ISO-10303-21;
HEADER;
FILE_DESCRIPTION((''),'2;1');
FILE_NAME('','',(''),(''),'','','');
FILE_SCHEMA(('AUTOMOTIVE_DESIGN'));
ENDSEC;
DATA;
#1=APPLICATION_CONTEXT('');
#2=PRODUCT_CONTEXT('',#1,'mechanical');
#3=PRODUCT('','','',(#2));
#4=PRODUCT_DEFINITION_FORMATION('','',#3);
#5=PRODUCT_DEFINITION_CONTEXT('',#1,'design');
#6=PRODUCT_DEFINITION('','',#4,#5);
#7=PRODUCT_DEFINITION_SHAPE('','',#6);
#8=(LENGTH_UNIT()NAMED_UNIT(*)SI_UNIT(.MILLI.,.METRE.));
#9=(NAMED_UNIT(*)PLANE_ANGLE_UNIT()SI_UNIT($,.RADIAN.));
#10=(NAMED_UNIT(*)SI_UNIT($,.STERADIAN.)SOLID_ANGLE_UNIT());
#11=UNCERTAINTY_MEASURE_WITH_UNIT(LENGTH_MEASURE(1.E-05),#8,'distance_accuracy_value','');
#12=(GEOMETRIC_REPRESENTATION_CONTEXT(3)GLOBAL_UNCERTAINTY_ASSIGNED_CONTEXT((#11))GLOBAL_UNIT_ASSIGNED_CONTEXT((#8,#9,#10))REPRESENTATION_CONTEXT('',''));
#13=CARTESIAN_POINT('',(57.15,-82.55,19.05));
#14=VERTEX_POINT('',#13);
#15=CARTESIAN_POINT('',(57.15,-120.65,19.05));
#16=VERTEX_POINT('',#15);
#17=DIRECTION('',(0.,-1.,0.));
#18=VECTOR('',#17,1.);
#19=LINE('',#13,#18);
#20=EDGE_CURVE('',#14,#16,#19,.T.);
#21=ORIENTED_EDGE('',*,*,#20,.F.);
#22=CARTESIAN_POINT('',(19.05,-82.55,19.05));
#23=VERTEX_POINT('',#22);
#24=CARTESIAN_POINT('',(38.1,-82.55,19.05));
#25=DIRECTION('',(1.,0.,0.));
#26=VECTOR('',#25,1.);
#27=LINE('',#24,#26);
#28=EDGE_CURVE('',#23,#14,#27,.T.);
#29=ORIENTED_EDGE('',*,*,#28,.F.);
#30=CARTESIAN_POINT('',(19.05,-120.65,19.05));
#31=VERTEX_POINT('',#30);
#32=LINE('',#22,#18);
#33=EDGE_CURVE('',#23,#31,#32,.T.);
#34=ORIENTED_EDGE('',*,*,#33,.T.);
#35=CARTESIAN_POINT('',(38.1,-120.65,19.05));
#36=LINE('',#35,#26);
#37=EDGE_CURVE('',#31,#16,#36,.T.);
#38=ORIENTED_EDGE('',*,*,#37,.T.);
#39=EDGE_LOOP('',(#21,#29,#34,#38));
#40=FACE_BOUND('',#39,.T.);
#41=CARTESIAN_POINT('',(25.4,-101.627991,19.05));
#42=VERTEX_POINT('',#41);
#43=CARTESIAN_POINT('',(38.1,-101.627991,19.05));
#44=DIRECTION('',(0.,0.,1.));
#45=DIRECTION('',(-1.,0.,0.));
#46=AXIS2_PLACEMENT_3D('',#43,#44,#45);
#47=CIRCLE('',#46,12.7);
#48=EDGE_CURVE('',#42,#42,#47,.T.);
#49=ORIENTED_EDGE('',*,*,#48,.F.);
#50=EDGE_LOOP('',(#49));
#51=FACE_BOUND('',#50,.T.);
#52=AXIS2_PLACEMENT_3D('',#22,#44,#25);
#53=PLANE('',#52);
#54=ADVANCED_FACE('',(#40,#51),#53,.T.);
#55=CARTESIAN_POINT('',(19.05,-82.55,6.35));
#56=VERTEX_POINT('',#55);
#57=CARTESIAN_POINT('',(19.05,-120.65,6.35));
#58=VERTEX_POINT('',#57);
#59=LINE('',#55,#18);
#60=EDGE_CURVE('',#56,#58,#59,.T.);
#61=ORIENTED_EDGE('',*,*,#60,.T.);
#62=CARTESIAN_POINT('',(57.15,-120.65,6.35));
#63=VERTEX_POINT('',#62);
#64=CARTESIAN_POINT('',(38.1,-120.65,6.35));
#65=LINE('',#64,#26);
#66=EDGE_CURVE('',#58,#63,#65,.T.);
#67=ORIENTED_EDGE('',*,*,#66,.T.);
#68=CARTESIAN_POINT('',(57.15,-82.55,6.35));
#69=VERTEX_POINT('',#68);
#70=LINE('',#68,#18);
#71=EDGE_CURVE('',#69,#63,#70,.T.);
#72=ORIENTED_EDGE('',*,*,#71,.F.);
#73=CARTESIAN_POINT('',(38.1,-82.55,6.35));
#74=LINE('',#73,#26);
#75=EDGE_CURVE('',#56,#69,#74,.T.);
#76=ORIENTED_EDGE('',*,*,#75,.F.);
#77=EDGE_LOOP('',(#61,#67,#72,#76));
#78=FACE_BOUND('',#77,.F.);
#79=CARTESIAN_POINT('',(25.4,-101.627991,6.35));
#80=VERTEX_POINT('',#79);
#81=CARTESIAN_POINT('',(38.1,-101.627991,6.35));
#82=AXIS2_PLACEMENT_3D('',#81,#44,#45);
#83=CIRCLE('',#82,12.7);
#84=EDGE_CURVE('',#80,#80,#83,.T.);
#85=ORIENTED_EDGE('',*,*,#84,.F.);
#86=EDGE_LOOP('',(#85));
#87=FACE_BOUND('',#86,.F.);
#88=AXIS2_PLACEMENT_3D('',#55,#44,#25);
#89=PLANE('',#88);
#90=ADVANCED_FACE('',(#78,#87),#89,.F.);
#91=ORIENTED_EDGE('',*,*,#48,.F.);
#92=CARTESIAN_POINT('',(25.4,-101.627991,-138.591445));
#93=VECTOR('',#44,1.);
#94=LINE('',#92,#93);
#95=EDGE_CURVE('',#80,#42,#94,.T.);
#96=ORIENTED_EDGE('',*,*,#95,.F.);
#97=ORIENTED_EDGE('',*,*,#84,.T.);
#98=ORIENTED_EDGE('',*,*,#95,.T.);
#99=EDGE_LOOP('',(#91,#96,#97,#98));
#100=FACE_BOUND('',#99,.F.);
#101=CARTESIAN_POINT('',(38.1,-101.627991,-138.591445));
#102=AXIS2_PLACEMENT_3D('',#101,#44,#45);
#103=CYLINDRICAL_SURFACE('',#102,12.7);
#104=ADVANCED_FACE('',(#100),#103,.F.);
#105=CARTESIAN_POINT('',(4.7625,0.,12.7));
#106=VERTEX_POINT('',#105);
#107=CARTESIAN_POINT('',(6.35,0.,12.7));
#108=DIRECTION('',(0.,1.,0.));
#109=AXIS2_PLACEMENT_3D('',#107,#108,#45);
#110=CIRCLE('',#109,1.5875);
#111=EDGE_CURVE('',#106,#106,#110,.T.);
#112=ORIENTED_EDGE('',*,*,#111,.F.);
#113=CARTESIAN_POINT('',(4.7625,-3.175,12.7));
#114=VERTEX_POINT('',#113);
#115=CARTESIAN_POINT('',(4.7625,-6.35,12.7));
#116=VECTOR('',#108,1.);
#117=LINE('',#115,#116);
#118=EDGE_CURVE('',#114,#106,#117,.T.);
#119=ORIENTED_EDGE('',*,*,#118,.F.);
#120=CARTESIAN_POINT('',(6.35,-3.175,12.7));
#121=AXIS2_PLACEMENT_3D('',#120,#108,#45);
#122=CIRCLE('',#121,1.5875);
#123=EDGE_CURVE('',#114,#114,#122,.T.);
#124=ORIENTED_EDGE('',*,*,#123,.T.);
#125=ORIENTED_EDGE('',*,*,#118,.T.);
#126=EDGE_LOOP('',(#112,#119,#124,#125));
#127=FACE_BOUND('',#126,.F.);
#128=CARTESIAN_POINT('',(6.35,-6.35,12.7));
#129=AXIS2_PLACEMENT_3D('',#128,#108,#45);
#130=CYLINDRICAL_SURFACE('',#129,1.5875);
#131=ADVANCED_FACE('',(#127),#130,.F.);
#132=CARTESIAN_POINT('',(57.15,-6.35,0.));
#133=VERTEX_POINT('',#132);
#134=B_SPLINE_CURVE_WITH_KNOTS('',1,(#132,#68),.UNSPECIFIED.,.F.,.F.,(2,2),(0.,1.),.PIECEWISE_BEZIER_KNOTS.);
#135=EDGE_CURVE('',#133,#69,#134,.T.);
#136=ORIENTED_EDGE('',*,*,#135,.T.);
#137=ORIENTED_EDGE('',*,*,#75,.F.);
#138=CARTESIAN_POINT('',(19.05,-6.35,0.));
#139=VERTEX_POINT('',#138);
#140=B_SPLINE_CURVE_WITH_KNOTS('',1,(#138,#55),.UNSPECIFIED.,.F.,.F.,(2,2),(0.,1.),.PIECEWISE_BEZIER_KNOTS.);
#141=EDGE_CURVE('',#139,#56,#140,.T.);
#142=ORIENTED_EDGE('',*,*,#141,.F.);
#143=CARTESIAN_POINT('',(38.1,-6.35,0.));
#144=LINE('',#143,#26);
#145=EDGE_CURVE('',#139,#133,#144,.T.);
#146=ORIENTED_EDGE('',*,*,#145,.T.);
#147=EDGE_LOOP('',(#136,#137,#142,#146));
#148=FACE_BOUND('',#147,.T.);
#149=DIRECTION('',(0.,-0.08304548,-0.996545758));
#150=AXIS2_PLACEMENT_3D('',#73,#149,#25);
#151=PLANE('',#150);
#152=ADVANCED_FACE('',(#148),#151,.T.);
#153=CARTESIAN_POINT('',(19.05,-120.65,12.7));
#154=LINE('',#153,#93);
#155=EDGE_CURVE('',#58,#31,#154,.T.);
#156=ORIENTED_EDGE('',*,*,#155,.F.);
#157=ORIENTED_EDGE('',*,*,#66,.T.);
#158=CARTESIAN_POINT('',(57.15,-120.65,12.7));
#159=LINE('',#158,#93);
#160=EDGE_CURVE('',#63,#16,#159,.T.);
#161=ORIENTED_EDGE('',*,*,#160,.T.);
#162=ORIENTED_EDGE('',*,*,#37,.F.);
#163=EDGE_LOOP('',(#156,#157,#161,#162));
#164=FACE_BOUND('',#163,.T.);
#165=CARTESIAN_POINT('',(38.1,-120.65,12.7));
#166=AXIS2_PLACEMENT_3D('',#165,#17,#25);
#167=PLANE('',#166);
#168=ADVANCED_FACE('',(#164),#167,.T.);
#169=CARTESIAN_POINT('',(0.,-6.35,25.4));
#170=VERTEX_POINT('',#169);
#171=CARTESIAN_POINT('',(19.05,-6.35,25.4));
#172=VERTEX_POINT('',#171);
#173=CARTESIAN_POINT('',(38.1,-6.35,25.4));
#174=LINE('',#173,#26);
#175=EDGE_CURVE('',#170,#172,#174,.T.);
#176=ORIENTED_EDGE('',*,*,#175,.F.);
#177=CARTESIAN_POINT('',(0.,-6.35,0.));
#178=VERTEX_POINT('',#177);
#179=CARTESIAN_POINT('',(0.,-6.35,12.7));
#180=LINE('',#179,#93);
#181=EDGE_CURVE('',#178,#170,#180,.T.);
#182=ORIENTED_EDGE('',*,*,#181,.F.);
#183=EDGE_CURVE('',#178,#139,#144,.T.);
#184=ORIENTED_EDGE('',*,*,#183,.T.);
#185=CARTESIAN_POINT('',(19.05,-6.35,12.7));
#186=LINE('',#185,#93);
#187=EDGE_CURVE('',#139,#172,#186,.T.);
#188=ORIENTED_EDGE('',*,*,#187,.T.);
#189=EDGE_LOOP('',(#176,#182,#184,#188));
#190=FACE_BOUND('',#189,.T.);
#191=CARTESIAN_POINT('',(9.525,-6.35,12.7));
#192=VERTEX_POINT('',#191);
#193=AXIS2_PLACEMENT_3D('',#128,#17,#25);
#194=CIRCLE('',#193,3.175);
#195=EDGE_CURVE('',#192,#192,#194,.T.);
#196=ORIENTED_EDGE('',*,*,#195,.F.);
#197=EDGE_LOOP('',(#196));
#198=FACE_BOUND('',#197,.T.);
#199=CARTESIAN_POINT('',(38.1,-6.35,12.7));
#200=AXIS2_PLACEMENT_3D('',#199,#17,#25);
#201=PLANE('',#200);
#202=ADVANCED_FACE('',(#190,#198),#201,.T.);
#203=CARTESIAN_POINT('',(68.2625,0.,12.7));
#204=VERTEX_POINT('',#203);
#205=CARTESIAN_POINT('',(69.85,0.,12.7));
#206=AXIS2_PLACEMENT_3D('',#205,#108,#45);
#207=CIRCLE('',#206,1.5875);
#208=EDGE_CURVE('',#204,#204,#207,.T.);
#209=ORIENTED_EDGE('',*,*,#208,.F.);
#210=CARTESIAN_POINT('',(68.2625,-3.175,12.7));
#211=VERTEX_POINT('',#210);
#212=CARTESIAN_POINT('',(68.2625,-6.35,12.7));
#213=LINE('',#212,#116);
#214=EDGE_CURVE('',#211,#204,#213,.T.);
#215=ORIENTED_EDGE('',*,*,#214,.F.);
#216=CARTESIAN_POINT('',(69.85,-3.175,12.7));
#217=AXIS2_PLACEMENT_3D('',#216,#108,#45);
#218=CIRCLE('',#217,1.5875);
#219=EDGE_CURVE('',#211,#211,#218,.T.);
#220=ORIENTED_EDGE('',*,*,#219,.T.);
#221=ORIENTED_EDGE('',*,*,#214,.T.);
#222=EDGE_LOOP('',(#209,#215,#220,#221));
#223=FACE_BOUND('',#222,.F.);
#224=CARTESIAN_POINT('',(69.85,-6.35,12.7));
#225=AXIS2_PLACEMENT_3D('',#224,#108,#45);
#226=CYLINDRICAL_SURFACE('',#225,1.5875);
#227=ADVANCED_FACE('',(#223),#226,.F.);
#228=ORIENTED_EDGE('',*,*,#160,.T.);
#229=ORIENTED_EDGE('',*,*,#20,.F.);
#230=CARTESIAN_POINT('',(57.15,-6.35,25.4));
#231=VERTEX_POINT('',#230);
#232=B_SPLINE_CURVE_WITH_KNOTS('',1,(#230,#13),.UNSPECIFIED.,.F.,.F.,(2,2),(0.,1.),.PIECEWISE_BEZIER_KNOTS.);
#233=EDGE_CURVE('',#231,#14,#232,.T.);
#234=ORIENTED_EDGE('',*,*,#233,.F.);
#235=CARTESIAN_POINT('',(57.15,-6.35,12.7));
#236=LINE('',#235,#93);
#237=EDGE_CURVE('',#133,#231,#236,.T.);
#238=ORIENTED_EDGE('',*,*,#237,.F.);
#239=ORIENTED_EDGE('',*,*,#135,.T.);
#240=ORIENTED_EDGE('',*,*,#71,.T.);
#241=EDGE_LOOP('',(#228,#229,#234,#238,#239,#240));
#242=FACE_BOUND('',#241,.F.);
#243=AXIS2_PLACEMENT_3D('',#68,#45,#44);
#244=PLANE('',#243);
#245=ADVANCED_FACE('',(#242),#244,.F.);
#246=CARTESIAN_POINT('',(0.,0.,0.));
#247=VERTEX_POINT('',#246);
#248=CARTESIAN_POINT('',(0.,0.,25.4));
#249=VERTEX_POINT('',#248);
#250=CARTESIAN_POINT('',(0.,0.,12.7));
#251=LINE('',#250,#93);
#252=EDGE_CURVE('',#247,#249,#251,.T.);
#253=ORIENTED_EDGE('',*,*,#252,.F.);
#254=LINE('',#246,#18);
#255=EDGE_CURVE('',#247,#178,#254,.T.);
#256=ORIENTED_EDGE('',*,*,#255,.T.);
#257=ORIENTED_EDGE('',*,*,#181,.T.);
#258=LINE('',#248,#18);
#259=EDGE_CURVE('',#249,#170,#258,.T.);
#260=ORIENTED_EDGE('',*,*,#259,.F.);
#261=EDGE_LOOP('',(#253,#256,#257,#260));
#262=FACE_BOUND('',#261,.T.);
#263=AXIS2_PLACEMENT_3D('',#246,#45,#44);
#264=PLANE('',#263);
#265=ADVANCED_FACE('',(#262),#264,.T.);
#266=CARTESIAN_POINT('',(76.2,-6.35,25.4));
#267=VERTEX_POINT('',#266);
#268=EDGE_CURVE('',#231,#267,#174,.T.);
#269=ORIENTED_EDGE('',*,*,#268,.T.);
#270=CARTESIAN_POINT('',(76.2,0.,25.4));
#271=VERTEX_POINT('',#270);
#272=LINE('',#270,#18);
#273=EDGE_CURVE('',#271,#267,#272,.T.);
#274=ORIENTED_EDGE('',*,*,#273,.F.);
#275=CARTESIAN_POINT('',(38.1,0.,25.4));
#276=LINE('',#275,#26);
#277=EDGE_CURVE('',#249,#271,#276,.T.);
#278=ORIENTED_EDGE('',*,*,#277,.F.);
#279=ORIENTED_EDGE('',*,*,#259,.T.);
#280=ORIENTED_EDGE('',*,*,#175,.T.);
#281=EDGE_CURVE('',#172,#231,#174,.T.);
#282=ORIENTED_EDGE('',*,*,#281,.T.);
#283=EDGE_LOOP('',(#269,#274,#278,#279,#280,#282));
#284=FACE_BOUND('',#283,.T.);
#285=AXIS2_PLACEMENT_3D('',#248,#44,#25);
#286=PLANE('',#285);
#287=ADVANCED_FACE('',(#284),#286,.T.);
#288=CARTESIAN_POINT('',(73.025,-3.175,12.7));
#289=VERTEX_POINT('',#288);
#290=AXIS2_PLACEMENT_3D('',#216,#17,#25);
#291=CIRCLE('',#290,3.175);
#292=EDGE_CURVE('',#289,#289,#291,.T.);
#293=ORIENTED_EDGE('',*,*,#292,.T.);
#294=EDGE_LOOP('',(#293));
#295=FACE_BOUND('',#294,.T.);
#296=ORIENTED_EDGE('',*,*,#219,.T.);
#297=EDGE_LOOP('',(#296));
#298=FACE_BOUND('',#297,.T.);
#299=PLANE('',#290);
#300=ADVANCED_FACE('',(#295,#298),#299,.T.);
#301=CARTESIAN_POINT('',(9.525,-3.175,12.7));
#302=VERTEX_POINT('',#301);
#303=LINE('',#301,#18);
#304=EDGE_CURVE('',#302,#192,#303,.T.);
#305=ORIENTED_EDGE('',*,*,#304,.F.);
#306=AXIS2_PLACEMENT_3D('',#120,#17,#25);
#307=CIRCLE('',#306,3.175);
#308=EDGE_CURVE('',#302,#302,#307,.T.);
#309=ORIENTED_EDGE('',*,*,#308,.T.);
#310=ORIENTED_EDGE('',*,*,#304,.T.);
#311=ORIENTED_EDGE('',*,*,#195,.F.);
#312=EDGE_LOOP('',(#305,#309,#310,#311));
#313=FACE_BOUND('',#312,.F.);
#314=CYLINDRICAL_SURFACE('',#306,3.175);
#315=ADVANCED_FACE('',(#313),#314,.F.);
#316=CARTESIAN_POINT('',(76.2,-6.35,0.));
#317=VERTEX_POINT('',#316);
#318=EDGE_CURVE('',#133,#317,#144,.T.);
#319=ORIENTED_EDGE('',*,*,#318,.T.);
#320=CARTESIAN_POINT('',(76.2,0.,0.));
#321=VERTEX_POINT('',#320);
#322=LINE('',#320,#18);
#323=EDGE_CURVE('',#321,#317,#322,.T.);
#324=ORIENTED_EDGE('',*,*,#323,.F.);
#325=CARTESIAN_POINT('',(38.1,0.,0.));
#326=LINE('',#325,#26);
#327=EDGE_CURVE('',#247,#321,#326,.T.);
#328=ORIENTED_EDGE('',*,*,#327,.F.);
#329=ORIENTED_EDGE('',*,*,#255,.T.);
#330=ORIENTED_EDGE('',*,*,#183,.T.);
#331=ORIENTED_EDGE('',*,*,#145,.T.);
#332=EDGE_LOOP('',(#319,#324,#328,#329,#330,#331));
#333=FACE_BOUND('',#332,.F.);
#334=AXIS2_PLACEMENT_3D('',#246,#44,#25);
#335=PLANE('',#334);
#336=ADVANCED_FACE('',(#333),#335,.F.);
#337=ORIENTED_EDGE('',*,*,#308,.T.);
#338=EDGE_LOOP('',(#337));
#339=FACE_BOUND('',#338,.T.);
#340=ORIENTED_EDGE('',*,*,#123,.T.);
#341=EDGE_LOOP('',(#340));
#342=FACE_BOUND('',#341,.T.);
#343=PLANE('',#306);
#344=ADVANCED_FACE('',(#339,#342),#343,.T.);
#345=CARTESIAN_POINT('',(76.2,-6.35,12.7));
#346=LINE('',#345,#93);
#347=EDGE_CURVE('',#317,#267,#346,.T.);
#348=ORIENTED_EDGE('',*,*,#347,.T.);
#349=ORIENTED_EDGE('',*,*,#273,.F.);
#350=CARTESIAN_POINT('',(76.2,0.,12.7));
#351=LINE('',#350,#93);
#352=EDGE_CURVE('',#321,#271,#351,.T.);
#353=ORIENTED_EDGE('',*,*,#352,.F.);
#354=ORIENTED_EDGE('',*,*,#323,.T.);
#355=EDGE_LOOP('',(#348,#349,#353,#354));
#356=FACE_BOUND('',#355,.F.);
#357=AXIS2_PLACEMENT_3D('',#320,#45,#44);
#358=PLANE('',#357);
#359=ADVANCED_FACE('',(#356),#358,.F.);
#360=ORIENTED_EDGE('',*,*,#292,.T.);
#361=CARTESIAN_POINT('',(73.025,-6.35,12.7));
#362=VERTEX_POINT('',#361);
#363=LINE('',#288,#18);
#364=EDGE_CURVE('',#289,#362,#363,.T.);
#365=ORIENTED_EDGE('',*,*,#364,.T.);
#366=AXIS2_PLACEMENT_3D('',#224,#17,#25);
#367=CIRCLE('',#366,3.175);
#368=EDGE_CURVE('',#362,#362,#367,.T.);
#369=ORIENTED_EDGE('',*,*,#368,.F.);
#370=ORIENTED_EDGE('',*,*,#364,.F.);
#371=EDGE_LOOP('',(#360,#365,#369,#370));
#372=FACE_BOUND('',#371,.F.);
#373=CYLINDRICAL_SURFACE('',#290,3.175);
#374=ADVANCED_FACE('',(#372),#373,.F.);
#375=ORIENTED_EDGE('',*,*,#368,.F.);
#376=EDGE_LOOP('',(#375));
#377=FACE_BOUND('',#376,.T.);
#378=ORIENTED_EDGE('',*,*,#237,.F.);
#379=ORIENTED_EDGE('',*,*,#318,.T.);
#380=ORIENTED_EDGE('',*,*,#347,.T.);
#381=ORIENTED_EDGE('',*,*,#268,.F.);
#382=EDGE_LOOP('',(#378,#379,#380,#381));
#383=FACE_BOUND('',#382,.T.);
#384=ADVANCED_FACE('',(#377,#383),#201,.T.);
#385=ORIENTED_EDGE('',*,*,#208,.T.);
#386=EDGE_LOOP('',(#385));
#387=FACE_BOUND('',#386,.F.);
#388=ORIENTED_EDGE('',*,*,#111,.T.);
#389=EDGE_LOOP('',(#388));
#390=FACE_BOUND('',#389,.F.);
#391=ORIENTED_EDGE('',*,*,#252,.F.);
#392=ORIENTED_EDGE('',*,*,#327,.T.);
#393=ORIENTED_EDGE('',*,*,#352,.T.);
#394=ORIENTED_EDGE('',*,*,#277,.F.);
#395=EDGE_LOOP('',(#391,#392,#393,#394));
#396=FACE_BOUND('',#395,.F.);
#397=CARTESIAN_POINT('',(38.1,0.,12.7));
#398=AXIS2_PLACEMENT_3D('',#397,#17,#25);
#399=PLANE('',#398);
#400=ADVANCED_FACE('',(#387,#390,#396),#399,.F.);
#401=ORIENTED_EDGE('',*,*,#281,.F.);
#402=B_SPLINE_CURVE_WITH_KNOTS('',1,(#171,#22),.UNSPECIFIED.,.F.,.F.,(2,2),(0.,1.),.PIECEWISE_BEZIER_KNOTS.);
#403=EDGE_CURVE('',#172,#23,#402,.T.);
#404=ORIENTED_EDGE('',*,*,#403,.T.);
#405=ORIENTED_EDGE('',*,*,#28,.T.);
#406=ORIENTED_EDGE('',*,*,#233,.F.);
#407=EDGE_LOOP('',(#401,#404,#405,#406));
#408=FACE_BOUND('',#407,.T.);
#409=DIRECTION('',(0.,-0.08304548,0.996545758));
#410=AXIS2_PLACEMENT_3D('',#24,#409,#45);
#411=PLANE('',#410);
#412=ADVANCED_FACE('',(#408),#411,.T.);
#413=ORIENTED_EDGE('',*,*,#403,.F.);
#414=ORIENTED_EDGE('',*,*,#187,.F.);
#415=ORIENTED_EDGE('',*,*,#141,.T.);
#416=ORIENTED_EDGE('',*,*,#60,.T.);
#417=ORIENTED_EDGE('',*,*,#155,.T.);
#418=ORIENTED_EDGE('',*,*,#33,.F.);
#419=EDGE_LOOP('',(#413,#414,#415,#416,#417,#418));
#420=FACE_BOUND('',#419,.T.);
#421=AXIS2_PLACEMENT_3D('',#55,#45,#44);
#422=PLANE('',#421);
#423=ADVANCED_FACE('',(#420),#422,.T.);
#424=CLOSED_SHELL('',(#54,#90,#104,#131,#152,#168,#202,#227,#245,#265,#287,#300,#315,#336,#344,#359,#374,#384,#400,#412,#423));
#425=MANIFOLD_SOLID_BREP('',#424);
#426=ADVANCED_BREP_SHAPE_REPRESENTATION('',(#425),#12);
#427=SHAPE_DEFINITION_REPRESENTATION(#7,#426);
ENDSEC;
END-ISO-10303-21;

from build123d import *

# Parameters (mm, degrees)
F0_W           = 76.2
F0_H           = 25.4
F1_DEPTH       = 6.35
F3_D           = 3.175
F3_CBORE_D     = 6.35
F3_CBORE_DEPTH = 3.175
F4_W           = 38.1
F4_H           = 25.4
F6_W           = 38.1
F6_H           = 12.7
F8_W           = 38.1
F8_H           = 12.7
F9_DEPTH       = 38.1
F11_D          = 25.4


with BuildPart() as f1:
    # F0 (on Front) → F1 (new body)
    with BuildSketch(Plane.XZ):
        with Locations((38.1, 12.7)):
            Rectangle(F0_W, F0_H)
    extrude(amount=F1_DEPTH)

    # F3 (through all)
    with Locations(Plane.XZ.offset(6.35)):
        with Locations((6.35, 12.7), (69.85, 12.7)):
            CounterBoreHole(F3_D / 2, F3_CBORE_D / 2, F3_CBORE_DEPTH)

    # F4 (on face) → F7 section 0
    with BuildSketch(Plane.XZ.offset(6.35)):
        with Locations((38.1, 12.7)):
            Rectangle(F4_W, F4_H)
    # F6 (on offset) → F7 section 1
    with BuildSketch(Plane.XZ.offset(82.55)):
        with Locations((38.1, 12.7)):
            Rectangle(F6_W, F6_H)
    loft()

    # F8 (on face) → F9 (join)
    with BuildSketch(Plane.XZ.offset(82.55)):
        with Locations((38.1, 12.7)):
            Rectangle(F8_W, F8_H)
    extrude(amount=F9_DEPTH)

    # F11 (through all)
    with Locations(Plane(origin=(0, 0, 6.35), x_dir=(1, 0, 0), z_dir=(0, 0, -1))):
        with Locations((38.1, 101.6279906034)):
            Hole(F11_D / 2)


solid = f1.part
